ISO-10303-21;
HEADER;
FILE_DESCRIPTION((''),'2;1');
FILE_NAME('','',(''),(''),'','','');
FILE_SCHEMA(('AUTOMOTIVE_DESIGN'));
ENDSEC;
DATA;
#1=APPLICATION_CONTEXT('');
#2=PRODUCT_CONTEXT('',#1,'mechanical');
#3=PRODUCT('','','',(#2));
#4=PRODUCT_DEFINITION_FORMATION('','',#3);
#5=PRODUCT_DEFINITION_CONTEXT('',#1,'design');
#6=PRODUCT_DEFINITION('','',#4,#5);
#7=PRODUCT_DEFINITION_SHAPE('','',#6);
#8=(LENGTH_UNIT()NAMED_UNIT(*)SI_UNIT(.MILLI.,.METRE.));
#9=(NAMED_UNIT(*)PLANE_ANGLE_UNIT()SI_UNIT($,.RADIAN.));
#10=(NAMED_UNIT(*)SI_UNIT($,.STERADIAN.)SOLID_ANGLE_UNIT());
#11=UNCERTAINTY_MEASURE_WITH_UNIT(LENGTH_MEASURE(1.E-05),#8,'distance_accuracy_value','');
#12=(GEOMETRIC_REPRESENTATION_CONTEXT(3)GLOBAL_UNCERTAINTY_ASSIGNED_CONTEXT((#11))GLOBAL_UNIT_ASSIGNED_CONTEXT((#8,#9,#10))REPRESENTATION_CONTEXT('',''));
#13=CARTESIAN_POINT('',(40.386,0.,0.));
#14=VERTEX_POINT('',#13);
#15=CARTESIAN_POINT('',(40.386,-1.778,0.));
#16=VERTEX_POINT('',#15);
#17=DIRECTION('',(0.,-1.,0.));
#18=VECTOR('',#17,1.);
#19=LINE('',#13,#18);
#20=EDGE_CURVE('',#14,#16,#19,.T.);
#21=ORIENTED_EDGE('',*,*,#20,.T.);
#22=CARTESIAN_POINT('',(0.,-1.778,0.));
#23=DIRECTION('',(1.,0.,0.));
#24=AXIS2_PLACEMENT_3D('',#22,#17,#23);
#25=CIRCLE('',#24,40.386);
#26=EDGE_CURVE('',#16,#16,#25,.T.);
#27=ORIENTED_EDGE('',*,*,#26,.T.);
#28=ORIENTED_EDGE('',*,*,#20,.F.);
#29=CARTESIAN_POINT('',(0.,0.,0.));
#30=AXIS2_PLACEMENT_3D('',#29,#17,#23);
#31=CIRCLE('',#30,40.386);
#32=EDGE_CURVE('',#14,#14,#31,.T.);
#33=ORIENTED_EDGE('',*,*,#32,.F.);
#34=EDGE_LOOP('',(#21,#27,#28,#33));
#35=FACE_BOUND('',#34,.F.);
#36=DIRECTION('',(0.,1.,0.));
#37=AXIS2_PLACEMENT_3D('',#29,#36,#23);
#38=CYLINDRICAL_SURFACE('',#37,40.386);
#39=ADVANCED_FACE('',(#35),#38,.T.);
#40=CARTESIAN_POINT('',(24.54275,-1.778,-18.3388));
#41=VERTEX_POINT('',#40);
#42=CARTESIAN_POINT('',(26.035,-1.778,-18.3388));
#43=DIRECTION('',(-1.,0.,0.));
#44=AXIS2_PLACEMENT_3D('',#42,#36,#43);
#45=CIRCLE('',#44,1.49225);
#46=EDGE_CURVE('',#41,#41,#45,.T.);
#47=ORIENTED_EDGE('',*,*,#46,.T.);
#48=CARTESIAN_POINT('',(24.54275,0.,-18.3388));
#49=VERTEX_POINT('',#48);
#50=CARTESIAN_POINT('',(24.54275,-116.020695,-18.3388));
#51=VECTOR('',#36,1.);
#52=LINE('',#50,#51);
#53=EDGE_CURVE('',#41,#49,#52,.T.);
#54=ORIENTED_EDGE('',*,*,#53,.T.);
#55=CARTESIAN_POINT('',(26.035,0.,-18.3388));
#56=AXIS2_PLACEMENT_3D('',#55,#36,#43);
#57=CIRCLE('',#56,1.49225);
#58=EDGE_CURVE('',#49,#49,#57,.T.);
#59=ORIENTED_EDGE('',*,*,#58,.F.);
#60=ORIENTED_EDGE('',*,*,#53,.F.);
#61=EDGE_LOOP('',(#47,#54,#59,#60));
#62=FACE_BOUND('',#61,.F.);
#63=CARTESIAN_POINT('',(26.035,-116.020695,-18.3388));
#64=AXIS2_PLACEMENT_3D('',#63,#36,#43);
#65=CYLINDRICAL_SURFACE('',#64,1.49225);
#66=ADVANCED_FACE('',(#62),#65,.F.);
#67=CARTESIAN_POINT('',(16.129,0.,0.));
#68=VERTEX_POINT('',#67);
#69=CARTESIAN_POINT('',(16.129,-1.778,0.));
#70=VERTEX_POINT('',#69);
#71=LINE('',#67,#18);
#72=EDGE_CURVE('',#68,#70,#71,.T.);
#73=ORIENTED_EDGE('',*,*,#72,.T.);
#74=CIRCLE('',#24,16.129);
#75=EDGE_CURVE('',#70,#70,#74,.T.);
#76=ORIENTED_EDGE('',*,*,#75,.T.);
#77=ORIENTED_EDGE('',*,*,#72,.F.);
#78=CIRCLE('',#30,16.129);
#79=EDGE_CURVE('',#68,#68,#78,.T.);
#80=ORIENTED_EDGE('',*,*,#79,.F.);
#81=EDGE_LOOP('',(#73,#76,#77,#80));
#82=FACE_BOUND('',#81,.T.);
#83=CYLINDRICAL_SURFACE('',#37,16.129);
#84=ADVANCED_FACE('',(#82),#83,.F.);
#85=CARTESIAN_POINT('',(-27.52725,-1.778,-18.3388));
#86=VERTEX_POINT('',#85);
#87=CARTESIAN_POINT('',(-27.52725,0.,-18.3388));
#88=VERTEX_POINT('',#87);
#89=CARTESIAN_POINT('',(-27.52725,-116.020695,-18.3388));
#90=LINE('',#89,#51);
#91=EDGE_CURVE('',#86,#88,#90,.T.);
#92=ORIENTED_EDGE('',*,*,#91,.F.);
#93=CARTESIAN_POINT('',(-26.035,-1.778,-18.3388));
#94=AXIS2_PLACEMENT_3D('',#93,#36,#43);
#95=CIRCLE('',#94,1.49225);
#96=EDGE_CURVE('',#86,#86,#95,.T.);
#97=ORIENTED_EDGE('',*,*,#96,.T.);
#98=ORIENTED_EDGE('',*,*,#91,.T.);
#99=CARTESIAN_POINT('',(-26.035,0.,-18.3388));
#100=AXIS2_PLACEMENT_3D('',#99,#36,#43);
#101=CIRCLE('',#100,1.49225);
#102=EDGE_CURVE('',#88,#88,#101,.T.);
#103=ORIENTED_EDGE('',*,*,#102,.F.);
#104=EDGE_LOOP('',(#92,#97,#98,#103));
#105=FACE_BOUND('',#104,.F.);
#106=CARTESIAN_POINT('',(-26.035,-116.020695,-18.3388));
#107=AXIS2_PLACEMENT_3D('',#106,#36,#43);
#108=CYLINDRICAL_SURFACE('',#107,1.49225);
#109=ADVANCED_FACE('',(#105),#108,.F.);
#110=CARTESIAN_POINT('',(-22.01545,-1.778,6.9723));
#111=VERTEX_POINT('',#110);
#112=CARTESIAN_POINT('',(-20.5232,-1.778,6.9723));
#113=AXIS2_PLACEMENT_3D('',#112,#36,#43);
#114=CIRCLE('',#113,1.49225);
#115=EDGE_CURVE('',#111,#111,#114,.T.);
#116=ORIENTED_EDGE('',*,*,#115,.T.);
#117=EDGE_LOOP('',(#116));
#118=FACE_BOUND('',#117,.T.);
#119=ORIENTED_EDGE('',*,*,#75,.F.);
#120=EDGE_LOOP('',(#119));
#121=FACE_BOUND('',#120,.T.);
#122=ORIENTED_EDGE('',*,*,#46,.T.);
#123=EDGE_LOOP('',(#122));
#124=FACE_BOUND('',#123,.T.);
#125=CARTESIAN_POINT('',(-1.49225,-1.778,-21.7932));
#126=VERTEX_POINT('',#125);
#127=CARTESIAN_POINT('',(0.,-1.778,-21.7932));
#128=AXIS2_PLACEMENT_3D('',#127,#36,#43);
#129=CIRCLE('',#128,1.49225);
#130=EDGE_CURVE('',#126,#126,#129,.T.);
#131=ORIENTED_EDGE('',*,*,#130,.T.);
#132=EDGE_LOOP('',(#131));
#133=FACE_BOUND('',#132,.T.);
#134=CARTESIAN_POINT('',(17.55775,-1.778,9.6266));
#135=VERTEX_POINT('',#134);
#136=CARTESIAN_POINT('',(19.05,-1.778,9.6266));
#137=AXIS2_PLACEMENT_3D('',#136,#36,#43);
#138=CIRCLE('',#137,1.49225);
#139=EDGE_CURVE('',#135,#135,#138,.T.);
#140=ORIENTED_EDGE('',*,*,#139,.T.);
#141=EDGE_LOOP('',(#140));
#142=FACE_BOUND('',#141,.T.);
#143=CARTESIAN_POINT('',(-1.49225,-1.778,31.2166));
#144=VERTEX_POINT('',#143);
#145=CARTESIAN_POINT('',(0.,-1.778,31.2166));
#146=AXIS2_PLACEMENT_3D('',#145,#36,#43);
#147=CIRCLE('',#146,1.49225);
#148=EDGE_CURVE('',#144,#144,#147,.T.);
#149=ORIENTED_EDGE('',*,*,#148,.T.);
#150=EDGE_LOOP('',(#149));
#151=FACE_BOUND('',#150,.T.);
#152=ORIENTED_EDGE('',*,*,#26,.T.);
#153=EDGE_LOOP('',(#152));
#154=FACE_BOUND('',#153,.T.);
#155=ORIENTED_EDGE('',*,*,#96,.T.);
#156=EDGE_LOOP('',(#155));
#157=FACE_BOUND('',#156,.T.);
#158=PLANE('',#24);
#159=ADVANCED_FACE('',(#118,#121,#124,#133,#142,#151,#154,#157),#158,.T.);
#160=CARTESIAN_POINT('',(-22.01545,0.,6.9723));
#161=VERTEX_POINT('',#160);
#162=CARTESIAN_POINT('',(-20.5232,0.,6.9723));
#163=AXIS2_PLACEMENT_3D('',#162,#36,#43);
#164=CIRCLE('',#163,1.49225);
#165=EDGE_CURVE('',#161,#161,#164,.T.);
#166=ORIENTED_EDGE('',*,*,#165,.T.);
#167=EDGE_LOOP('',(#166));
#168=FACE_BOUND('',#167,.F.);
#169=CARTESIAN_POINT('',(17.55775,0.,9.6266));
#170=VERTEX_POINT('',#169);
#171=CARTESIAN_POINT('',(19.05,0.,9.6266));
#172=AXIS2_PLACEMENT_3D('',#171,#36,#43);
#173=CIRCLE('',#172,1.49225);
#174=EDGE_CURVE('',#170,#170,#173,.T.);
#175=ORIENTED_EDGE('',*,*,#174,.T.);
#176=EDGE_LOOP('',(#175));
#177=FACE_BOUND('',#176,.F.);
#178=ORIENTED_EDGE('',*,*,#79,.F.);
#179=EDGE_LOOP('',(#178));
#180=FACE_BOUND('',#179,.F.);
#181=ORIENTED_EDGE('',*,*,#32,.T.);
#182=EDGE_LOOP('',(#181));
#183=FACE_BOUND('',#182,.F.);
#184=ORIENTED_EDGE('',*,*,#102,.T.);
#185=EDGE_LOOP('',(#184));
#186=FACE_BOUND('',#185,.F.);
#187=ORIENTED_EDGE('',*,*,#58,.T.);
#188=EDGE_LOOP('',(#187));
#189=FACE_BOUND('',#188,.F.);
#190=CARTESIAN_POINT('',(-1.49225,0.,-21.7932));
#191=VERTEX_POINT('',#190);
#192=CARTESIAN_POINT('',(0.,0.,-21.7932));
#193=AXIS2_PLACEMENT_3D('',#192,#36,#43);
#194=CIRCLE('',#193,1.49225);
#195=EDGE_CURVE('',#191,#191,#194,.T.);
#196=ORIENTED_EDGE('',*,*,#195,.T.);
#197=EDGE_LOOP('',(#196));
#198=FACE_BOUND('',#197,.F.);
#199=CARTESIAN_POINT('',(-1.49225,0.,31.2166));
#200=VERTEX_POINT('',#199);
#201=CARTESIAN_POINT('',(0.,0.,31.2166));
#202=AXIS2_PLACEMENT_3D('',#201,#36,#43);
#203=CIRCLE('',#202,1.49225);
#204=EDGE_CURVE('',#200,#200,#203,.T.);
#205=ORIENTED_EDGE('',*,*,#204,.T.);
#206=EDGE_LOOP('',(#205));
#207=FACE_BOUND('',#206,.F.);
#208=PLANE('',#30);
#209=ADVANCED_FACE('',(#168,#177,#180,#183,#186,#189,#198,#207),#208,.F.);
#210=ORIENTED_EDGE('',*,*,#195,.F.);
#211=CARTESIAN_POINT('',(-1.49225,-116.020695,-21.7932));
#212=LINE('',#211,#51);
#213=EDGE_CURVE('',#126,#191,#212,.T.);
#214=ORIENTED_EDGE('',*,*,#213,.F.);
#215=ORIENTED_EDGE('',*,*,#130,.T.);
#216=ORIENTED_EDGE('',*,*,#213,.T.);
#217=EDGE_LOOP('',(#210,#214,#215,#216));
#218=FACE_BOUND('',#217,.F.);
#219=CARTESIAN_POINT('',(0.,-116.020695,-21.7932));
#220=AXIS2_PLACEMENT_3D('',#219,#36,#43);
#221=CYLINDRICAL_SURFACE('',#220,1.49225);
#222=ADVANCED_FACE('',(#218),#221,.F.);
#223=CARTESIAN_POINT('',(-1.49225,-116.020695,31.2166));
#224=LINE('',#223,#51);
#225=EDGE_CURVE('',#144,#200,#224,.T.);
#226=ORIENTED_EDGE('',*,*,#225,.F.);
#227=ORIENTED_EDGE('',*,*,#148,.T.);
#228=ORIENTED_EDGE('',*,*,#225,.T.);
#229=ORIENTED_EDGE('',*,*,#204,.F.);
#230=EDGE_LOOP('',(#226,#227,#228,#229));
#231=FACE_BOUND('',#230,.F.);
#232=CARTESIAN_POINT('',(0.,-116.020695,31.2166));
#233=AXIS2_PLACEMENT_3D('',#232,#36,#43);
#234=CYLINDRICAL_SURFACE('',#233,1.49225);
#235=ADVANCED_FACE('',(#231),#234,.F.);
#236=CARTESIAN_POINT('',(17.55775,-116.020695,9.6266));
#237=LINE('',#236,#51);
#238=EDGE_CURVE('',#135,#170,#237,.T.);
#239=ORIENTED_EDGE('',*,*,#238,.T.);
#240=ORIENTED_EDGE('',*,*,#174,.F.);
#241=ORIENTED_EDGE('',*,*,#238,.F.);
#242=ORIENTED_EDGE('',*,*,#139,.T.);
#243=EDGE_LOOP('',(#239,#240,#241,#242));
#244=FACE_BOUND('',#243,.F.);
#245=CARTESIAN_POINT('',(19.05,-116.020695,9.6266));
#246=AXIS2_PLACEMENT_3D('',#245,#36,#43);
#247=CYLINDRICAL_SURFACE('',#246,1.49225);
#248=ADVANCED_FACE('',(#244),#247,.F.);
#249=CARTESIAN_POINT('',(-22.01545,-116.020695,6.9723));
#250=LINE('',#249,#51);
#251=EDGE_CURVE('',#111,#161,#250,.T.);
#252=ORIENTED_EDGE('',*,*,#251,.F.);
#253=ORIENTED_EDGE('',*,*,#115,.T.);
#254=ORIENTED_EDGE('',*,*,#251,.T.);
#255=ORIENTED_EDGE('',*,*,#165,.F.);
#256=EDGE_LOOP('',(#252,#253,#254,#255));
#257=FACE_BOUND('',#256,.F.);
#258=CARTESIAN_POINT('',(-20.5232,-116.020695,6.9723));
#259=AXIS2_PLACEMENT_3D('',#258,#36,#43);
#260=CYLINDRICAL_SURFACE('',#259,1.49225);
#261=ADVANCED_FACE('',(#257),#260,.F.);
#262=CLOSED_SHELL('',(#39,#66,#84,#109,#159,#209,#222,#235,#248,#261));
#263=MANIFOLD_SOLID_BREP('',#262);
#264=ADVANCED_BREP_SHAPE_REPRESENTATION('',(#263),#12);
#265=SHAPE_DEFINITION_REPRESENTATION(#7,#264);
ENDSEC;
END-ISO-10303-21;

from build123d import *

# Parameters (mm, degrees)
F0_R     = 40.386
F0_R_2   = 16.129
F1_DEPTH = 1.778
F3_D     = 2.9845


with BuildPart() as f1:
    # F0 (on Front) → F1 (new body)
    with BuildSketch(Plane.XZ):
        Circle(F0_R)
        Circle(F0_R_2, mode=Mode.SUBTRACT)
    extrude(amount=F1_DEPTH)

    # F3 (through all)
    with Locations(Plane.XZ.offset(1.778)):
        with Locations((0, 31.2166), (19.05, 9.6266), (26.035, -18.3388), (0, -21.7932), (-26.035, -18.3388), (-20.5232, 6.9723)):
            Hole(F3_D / 2)


solid = f1.part
